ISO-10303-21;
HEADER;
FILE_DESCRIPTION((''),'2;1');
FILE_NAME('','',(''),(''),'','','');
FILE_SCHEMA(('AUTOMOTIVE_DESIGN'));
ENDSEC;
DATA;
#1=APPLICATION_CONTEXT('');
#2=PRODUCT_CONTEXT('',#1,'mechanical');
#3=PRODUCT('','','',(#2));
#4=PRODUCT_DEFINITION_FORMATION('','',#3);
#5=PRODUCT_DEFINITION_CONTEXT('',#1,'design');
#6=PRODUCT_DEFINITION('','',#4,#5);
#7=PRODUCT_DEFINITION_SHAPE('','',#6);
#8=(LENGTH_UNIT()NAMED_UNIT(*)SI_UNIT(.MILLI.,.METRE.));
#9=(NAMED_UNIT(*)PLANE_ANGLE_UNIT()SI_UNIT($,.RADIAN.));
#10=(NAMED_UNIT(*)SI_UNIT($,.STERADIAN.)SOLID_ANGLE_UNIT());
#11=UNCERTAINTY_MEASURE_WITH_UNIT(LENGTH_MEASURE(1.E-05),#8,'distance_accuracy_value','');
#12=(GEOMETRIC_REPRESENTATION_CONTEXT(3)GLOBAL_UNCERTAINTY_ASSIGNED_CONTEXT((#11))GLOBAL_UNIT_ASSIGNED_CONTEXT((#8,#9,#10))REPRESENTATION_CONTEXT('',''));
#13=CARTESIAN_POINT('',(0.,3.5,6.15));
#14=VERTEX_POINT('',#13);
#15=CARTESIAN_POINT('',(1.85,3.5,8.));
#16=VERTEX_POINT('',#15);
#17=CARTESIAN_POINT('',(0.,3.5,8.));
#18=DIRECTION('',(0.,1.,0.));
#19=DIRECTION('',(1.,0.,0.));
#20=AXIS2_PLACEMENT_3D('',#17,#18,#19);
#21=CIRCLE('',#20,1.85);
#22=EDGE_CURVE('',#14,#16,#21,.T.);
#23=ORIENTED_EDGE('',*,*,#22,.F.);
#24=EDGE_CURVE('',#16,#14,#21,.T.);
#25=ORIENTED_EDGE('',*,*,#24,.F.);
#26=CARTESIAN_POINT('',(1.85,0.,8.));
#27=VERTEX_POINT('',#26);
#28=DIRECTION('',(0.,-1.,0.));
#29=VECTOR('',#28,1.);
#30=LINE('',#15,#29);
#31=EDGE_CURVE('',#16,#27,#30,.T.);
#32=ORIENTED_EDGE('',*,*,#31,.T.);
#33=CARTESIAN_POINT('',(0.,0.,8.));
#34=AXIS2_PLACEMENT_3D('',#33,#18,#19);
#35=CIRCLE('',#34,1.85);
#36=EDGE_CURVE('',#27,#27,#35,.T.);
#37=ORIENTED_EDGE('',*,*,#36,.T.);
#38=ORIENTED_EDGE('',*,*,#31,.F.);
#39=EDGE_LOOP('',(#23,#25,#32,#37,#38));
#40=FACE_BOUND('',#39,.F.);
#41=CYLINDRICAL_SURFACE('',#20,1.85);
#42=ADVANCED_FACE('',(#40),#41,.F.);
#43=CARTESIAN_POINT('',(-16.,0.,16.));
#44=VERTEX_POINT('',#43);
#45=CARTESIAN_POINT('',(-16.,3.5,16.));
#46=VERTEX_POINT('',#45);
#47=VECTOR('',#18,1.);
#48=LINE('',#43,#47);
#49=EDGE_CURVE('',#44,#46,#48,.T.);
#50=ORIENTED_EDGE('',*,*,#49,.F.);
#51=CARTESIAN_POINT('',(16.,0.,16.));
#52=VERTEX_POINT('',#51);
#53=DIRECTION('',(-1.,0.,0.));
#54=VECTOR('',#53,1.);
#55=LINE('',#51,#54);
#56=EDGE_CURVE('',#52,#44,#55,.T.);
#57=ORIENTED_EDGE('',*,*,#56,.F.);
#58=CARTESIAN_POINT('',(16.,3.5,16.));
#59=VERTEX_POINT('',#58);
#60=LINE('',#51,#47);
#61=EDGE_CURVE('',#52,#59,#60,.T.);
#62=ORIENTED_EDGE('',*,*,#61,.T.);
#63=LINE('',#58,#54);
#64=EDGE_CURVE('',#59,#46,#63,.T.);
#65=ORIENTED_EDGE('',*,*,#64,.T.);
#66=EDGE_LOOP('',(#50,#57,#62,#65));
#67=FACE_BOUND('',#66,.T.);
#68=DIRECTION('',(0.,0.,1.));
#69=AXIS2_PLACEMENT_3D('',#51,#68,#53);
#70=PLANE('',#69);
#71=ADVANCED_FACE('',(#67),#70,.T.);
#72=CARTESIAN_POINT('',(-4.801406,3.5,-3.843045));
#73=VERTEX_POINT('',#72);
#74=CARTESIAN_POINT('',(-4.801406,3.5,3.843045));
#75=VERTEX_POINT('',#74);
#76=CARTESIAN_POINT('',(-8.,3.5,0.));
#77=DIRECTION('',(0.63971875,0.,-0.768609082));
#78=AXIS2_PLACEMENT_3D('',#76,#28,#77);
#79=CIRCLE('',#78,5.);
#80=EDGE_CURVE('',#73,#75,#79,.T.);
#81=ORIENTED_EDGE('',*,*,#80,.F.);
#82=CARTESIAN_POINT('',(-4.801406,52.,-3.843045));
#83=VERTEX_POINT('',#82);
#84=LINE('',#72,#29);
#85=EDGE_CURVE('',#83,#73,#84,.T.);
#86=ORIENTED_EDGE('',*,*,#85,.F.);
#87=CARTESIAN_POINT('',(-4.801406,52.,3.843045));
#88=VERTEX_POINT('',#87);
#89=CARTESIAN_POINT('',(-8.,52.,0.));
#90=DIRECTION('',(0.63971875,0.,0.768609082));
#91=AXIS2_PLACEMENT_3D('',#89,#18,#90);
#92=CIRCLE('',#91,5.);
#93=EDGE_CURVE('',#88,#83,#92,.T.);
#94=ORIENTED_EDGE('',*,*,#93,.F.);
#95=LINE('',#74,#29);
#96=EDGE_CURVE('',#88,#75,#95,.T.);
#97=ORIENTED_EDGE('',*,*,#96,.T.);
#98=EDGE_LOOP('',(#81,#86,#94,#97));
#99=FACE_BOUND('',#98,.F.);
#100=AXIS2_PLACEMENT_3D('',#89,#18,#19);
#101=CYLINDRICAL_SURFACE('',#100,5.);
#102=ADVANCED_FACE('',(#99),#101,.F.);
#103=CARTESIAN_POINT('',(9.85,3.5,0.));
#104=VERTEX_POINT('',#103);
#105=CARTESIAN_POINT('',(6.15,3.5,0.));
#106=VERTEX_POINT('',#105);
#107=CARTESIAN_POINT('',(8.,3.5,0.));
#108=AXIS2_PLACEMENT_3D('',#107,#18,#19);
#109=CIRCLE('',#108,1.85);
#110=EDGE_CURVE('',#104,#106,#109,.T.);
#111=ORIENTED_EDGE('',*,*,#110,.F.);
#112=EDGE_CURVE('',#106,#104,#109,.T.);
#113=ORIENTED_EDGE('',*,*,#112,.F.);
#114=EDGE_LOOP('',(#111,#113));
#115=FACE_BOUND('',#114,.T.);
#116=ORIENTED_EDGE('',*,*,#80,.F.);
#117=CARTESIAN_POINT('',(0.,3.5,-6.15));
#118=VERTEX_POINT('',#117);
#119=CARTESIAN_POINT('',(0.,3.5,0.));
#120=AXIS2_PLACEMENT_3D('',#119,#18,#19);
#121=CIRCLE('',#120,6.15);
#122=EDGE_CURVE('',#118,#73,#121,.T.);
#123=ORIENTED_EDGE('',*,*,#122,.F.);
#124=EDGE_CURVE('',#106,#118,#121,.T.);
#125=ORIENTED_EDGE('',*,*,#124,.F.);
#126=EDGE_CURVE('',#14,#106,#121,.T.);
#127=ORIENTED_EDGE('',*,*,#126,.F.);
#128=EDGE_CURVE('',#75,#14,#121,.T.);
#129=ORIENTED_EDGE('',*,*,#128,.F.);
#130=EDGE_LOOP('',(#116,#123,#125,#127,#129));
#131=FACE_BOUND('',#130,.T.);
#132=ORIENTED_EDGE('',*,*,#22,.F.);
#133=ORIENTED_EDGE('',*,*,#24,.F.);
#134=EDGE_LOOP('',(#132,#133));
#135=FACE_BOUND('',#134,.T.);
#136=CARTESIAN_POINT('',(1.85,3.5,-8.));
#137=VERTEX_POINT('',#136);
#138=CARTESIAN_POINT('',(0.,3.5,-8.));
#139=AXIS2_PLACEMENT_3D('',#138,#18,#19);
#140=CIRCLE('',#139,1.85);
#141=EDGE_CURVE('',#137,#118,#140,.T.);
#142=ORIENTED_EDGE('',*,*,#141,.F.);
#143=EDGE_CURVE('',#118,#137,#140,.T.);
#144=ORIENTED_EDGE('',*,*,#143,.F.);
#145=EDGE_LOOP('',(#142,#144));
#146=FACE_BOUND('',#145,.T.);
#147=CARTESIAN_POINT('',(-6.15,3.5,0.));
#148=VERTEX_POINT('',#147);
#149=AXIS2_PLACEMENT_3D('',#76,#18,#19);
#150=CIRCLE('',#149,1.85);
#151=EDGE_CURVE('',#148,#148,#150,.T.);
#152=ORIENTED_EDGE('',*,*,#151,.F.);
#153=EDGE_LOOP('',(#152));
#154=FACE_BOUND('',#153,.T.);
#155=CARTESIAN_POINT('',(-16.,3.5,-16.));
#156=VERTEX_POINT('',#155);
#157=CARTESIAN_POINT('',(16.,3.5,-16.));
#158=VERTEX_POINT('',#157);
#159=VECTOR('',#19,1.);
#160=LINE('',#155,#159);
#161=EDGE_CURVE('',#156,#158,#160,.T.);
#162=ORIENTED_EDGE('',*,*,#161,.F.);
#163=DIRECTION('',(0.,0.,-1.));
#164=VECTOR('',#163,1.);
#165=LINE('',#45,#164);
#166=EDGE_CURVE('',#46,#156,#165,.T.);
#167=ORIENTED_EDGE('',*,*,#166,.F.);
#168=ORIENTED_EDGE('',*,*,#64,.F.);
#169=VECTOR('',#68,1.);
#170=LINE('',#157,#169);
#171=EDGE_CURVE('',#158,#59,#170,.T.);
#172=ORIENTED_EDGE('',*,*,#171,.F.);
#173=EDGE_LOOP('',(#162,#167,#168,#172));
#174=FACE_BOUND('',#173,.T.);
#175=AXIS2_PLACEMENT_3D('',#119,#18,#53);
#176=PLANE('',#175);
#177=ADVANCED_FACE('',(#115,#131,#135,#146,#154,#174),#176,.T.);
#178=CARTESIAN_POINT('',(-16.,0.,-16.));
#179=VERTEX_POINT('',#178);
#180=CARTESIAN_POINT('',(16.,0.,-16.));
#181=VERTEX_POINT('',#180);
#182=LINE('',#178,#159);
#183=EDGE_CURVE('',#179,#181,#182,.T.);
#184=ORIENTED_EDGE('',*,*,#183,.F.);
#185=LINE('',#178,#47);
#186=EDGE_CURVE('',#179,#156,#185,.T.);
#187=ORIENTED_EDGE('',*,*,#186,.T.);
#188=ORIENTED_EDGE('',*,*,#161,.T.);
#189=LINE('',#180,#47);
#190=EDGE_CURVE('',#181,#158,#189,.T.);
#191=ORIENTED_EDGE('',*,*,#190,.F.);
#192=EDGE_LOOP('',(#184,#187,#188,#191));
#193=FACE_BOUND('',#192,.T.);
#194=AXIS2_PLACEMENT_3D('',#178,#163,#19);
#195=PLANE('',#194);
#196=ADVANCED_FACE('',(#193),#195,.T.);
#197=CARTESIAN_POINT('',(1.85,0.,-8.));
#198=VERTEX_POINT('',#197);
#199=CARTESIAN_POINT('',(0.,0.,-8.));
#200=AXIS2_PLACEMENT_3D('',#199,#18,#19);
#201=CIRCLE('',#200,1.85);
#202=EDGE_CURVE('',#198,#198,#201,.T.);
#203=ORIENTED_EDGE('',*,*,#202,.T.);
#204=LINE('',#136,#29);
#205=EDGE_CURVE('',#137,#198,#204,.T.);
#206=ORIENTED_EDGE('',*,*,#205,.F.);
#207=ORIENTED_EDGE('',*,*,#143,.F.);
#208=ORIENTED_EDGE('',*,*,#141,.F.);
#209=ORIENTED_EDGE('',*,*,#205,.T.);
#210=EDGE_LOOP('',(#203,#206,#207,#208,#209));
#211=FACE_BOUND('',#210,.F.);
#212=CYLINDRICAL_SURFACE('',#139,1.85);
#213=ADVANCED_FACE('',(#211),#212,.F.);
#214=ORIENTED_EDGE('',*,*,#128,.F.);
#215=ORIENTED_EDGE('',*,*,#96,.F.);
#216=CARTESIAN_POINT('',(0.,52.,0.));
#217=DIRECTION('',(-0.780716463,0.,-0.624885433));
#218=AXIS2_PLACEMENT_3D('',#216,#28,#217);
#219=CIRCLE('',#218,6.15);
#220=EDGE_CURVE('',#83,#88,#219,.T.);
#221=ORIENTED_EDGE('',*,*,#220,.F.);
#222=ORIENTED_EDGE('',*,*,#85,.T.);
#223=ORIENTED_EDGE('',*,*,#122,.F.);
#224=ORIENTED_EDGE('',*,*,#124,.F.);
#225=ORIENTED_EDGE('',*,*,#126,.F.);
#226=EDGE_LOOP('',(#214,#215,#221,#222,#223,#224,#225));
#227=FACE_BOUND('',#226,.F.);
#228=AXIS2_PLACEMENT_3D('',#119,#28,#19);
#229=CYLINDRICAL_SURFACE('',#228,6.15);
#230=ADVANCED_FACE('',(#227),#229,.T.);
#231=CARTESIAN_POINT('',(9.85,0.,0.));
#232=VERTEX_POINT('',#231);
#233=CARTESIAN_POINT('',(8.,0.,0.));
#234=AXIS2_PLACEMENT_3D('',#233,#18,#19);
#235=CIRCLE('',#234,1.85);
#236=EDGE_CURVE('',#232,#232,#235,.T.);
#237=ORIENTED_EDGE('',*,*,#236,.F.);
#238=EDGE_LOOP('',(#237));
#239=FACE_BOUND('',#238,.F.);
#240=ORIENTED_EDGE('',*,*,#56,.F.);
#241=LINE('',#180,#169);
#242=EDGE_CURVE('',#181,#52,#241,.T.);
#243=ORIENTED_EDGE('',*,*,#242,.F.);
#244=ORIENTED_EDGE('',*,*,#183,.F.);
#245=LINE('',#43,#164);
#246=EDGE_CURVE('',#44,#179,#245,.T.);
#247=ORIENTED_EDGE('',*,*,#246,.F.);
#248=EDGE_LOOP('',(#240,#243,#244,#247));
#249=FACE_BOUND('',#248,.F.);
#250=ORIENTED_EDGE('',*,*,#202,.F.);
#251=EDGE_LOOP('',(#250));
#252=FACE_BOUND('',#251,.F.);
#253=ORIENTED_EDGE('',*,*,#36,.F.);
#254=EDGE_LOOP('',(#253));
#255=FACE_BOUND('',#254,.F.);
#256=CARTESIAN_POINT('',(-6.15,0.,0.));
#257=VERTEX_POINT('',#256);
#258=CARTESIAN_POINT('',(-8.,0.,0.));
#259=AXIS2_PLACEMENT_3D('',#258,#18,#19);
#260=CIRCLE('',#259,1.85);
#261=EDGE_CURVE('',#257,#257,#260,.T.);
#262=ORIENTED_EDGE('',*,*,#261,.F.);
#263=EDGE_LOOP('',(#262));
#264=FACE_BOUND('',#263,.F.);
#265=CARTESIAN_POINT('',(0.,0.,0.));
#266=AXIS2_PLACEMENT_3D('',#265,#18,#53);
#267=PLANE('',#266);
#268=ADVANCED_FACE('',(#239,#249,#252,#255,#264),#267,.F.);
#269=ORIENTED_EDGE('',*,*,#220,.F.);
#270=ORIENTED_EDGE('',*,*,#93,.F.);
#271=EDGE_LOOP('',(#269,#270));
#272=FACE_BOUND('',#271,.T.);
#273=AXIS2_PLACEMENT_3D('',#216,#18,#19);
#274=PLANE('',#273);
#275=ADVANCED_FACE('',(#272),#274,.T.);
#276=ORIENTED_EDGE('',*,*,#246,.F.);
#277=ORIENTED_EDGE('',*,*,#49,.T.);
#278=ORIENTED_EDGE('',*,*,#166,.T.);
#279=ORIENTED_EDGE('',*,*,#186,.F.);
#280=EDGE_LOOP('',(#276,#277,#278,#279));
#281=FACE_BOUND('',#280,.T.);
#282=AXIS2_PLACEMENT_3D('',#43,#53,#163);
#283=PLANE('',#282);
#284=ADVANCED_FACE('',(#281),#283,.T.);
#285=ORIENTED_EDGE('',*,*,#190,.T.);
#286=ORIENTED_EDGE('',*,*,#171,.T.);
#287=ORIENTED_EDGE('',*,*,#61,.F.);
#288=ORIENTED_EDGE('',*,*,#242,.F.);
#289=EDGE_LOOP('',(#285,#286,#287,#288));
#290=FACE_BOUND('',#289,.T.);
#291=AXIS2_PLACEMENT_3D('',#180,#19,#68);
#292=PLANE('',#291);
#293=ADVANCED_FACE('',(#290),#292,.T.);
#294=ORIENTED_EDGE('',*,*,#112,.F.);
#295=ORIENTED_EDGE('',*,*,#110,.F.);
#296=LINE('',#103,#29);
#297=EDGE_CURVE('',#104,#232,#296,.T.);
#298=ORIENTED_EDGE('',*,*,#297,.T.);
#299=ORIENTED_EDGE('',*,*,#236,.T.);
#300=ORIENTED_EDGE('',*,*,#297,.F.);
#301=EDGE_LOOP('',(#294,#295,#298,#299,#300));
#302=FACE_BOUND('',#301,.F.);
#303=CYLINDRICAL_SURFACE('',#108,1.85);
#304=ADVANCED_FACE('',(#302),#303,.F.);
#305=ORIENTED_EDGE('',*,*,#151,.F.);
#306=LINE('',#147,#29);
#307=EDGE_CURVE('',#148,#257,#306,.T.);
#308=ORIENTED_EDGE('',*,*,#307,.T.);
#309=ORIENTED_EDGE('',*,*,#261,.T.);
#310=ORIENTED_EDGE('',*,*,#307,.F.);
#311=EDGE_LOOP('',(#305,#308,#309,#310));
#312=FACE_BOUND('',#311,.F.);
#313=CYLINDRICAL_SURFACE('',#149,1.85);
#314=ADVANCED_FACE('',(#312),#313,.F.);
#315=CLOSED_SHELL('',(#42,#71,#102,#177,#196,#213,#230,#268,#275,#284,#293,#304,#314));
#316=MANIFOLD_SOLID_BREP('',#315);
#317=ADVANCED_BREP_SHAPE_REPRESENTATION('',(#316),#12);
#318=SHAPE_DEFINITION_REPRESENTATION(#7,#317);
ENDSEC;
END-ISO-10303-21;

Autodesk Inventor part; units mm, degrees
ref_plane "YZ Plane" through (0, 0, 0) normal (1, 0, 0) x (0, 1, 0)
ref_plane "XZ Plane" through (0, 0, 0) normal (0, 1, 0) x (-1, 0, 0)
ref_plane "XY Plane" through (0, 0, 0) normal (0, 0, 1) x (1, 0, 0)
sketch "Эскиз1" plane through (0, 0, 0) normal (0, 1, 0) x (-1, 0, 0)
  line L0 (-16, 16) -> (16, 16)
  line L1 (16, 16) -> (16, -16)
  line L2 (16, -16) -> (-16, -16)
  line L3 (-16, -16) -> (-16, 16)
  line L4 (-16, 16) -> (16, -16) construction
  line L5 (16, 16) -> (-16, -16) construction
  point P0 (0, 0)
  dimension "d0" = 32
  dimension "d1" = 32
extrude "Выдавливание1" add sketch "Эскиз1" along normal blind 3.5
sketch "Эскиз2" plane through (0, 3.5, 0) normal (0, 1, 0) x (1, 0, 0)
  circle A0 centre (0, 8) radius 1.85
  circle A1 centre (-5.6569, 5.6569) radius 1.85
  circle A2 centre (-8, 0) radius 1.85
  circle A3 centre (-5.6569, -5.6569) radius 1.85
  circle A4 centre (0, -8) radius 1.85
  circle A5 centre (5.6569, -5.6569) radius 1.85
  circle A6 centre (8, 0) radius 1.85
  circle A7 centre (5.6569, 5.6569) radius 1.85
  circle A8 centre (0, 0) radius 4
  circle A9 centre (0, 8) radius 1.85
  circle A10 centre (-5.6569, 5.6569) radius 1.85
  circle A11 centre (-8, 0) radius 1.85
  circle A12 centre (-5.6569, -5.6569) radius 1.85
  circle A13 centre (0, -8) radius 1.85
  circle A14 centre (5.6569, -5.6569) radius 1.85
  circle A15 centre (8, 0) radius 1.85
  circle A16 centre (5.6569, 5.6569) radius 1.85
  circle A17 centre (0, 0) radius 4
  circle A18 centre (0, 8) radius 1.85
  circle A19 centre (-5.6569, 5.6569) radius 1.85
  circle A20 centre (-8, 0) radius 1.85
  circle A21 centre (-5.6569, -5.6569) radius 1.85
  circle A22 centre (0, -8) radius 1.85
  circle A23 centre (5.6569, -5.6569) radius 1.85
  circle A24 centre (8, 0) radius 1.85
  circle A25 centre (5.6569, 5.6569) radius 1.85
  circle A26 centre (0, 0) radius 4
  point P0 (0, 0)
  point P1 (0, -16)
  point P2 (0, -16)
  point P3 (0, -16)
extrude "Выдавливание2" cut sketch "Эскиз2" against normal blind 3.5 contours A0 | A2 | A4 | A6
sketch "Эскиз3" plane through (0, 3.5, 0) normal (0, 1, 0) x (1, 0, 0)
  circle A0 centre (0, 0) radius 6.15
  circle A1 centre (-8, 0) radius 1.85 projected
extrude "Выдавливание3" add sketch "Эскиз3" along normal blind 48.5 contours A0
sketch "Эскиз4" plane through (0, 52, 0) normal (0, 1, 0) x (1, 0, 0)
  circle A0 centre (-8, 0) radius 1.85 projected
  circle A1 centre (-8, 0) radius 5
  point P0 (0, 0)
  point P1 (-6.15, 0)
  dimension "d8" = 10
extrude "Выдавливание4" cut sketch "Эскиз4" against normal up to surface (48.5 mm away)
properties part number "000.001.015 - Стойка площадки высокая"
